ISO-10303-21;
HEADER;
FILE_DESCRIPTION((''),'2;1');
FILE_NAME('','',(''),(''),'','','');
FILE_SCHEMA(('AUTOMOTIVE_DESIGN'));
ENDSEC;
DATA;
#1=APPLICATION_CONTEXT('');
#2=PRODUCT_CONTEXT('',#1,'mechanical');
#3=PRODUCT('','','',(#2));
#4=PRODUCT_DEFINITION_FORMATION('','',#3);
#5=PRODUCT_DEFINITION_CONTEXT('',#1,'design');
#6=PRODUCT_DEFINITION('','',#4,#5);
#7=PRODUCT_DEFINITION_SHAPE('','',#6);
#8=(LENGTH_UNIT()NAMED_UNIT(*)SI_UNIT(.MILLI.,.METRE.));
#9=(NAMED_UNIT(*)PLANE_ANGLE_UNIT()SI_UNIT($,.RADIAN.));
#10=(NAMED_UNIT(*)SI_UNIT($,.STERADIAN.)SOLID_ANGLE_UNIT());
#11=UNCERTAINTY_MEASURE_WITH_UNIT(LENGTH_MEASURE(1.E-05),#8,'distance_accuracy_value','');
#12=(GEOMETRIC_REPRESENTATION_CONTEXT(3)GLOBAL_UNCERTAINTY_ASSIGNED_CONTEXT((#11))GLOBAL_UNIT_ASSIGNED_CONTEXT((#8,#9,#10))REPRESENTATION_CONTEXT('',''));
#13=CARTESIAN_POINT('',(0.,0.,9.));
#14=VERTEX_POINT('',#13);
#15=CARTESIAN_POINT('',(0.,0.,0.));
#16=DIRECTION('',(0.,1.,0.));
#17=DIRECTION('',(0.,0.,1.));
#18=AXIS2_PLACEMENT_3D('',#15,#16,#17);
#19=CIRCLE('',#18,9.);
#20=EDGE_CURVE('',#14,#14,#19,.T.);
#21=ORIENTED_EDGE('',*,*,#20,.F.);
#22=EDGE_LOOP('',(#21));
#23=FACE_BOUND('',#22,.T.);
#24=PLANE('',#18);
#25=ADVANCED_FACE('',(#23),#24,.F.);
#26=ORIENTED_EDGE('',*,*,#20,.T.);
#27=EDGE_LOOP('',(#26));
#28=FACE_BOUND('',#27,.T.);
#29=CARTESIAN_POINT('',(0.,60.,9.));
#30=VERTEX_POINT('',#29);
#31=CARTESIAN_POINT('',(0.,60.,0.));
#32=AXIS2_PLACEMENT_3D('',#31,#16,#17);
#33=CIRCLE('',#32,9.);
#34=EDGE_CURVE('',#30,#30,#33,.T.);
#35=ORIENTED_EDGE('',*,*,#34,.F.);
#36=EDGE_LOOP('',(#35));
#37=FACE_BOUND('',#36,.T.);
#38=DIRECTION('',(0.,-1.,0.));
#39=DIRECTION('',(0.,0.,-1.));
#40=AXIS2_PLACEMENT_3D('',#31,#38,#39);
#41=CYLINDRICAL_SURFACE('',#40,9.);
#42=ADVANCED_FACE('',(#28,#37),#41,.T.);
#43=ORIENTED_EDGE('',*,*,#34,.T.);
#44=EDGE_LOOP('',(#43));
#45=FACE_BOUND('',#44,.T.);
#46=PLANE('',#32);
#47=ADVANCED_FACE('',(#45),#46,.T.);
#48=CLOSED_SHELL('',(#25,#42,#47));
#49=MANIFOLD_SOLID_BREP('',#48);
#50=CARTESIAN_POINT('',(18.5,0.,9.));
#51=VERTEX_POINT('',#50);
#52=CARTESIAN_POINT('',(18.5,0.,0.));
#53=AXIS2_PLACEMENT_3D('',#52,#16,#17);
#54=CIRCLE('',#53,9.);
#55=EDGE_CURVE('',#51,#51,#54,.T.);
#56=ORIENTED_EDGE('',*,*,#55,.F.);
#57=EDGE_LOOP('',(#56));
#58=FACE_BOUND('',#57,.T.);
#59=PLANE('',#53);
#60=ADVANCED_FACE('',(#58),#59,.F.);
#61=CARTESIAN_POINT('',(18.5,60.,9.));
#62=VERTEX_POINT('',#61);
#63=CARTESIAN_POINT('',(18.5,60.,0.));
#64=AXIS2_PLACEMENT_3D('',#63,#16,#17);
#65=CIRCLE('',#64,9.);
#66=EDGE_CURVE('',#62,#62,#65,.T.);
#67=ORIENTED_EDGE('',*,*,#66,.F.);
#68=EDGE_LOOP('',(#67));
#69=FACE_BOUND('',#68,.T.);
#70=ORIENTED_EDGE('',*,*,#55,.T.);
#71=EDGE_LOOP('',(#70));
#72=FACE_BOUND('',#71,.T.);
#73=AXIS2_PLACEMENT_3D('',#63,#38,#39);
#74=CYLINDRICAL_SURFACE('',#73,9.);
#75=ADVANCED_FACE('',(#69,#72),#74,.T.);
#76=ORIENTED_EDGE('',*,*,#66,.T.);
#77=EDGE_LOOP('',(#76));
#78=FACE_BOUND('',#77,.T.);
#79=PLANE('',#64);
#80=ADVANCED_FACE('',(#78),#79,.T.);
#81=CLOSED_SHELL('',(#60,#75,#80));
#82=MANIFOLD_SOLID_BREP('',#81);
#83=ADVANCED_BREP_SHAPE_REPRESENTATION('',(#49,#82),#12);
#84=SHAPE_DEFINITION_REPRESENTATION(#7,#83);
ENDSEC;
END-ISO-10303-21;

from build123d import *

# Parameters (mm, degrees)
SKETCH_1_R        = 9
EXTRUDE_1_DEPTH   = 60
EXTRUDE_1_2_DEPTH = 60


with BuildPart() as part:
    # 草图1 → 凸台-拉伸1 (new body)
    with BuildSketch(Plane(origin=(0, 0, 0), x_dir=(1, 0, 0), z_dir=(0, 1, 0))):
        with Locations(Location((0, 0, 0), (0, 0, 270))):
            Circle(SKETCH_1_R)
    extrude(amount=EXTRUDE_1_DEPTH)


with BuildPart() as body_2:
    # 草图1 → Extrude 1 2 (new body)
    with BuildSketch(Plane(origin=(0, 0, 0), x_dir=(1, 0, 0), z_dir=(0, 1, 0))):
        with Locations(Location((18.5, 0, 0), (0, 0, 270))):
            Circle(SKETCH_1_R)
    extrude(amount=EXTRUDE_1_2_DEPTH)


solid = Compound([part.part, body_2.part])
